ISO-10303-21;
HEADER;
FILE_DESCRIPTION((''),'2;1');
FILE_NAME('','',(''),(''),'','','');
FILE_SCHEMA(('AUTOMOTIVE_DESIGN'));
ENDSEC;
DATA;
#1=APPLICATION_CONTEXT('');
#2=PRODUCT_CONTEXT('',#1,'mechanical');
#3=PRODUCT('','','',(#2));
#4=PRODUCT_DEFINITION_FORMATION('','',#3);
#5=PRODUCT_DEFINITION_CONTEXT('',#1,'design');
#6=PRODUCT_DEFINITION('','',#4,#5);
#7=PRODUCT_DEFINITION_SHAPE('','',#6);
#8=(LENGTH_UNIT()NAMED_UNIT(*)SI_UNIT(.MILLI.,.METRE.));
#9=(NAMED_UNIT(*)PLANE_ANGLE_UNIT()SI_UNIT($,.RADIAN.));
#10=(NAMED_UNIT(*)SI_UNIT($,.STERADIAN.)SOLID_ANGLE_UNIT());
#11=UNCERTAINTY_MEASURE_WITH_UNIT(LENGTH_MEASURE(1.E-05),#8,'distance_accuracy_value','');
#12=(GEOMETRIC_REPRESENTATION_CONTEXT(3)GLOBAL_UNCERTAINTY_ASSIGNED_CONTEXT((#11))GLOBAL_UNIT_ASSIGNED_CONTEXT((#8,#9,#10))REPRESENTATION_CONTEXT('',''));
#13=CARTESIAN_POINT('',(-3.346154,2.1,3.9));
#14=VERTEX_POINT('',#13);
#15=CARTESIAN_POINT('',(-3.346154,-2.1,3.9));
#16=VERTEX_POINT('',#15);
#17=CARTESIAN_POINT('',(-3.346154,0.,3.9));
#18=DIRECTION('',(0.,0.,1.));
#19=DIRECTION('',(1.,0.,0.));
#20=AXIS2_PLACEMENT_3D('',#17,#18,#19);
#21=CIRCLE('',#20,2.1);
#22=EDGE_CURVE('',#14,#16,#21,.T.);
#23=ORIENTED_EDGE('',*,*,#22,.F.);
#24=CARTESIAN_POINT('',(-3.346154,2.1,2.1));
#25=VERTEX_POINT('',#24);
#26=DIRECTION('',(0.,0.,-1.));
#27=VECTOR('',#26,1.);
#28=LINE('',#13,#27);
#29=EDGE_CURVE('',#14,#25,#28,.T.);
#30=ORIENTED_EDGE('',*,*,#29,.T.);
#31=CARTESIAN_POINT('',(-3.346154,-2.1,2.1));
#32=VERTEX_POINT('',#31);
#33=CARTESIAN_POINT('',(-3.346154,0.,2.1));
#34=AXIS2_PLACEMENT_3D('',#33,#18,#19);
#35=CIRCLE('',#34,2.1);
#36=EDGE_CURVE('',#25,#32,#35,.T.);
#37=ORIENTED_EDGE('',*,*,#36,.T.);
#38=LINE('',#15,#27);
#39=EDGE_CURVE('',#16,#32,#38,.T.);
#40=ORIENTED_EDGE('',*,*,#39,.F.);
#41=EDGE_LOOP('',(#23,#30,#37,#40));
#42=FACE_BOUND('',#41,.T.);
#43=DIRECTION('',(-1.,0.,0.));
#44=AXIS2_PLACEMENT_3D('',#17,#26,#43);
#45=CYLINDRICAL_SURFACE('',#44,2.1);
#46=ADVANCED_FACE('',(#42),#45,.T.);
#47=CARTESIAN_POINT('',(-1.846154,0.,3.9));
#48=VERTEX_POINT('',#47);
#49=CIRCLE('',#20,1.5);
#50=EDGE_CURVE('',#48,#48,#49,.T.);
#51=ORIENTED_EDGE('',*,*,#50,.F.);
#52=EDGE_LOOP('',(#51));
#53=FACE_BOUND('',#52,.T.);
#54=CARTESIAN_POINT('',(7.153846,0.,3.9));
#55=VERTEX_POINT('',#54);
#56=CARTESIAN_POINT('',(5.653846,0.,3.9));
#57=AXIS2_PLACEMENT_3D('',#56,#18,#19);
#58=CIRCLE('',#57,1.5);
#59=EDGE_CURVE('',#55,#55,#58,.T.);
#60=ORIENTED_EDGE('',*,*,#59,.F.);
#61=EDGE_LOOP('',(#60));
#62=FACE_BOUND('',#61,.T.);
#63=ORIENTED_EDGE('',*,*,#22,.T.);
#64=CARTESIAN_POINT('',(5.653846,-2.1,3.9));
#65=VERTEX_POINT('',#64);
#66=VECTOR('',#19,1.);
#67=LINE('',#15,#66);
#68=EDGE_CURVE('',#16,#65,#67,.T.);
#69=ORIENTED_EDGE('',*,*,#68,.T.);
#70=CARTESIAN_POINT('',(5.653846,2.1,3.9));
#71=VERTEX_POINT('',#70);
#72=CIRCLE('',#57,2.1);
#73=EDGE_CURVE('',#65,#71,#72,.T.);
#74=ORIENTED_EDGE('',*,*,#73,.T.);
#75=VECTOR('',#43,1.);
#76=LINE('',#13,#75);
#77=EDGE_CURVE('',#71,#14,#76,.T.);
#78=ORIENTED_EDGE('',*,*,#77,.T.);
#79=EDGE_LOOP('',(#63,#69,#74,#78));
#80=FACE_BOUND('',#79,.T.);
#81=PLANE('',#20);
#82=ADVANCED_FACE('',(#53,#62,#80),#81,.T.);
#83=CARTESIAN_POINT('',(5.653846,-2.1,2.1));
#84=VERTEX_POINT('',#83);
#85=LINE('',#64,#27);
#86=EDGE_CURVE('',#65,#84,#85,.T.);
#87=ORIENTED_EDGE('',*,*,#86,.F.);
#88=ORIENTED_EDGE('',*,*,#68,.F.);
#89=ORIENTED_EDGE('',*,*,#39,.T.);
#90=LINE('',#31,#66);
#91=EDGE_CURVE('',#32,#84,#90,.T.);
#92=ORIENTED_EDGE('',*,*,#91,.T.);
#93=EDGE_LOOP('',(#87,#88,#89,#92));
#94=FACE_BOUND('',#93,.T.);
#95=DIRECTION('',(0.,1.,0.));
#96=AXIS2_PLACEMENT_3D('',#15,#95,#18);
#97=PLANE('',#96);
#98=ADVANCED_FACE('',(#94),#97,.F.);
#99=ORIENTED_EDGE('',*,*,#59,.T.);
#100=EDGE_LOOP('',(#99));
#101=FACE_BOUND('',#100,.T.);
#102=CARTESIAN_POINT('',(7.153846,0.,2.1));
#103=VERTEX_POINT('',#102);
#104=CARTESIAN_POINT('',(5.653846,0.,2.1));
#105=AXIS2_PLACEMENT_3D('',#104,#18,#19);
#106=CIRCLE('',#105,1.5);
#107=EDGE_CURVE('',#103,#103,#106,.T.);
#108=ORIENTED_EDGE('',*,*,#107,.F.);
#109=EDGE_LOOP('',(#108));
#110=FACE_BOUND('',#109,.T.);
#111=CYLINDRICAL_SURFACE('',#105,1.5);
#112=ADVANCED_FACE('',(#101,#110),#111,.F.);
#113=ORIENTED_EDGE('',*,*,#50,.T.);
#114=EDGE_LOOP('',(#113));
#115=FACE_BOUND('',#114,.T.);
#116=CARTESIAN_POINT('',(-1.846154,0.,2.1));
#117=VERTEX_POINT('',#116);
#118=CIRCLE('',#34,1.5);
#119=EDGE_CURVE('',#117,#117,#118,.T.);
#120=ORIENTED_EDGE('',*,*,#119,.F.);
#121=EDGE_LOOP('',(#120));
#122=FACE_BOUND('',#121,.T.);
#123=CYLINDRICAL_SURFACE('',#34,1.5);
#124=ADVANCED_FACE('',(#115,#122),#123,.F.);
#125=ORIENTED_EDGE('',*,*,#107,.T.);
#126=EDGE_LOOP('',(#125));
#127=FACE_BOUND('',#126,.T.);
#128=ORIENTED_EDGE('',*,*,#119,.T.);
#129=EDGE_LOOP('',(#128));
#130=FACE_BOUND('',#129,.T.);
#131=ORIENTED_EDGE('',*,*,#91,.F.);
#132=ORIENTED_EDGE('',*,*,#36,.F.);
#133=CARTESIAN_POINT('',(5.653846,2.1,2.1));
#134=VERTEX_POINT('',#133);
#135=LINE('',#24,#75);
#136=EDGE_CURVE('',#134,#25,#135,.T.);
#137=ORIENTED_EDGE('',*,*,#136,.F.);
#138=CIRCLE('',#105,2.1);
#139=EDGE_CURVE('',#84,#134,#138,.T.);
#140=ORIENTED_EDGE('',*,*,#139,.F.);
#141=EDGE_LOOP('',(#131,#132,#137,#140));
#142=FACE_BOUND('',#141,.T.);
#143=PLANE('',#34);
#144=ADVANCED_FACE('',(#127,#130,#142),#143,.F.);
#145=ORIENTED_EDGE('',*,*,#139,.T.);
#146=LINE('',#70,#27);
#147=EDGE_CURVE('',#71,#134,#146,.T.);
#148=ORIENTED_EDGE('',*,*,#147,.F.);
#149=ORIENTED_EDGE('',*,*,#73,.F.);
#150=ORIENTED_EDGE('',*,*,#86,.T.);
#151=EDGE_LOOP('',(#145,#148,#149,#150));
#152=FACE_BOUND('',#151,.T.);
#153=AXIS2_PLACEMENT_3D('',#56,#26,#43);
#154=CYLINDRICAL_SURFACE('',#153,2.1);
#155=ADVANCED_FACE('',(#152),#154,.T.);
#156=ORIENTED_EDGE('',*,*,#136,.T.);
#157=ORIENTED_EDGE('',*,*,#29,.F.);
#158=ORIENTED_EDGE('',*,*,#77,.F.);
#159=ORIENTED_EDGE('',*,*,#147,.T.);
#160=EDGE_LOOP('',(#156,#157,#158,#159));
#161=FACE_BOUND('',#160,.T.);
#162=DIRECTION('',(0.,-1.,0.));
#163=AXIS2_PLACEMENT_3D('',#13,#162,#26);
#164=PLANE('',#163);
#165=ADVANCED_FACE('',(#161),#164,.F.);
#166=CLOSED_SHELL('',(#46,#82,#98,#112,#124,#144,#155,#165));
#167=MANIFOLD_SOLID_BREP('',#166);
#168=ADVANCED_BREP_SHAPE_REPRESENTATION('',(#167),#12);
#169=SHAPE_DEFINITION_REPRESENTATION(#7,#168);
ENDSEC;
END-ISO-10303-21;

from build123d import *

# Parameters (mm, degrees)
BOSS_EXTRUDE1_DEPTH = 6
SKETCH2_R           = 5
CUT_EXTRUDE1_DEPTH  = 6
SCALE1_SCALE        = 0.3


with BuildPart() as part:
    # Sketch1 → Boss-Extrude1 (new body)
    with BuildSketch(Plane.XY):
        with BuildLine():
            Line((-13.846153846, 7), (16.153846154, 7))
            ThreePointArc((16.153846154, 7), (23.153846154, 0), (16.153846154, -7))
            Line((16.153846154, -7), (-13.846153846, -7))
            ThreePointArc((-13.846153846, -7), (-20.846153846, 0), (-13.846153846, 7))
        make_face()
    extrude(amount=BOSS_EXTRUDE1_DEPTH)

    # Sketch2 → Cut-Extrude1 (cut)
    with BuildSketch(Plane.XY.offset(6)):
        with Locations((-13.846153846, 0)):
            Circle(SKETCH2_R)
        with Locations((16.153846154, 0)):
            Circle(SKETCH2_R)
    extrude(amount=-CUT_EXTRUDE1_DEPTH, mode=Mode.SUBTRACT)


with BuildPart() as part_1:
    # Scale1: scaled about (1.153846154, 0, 3)
    add(part.part.scale(SCALE1_SCALE).moved(Location((0.807692308, 0, 2.1))))


solid = part_1.part
